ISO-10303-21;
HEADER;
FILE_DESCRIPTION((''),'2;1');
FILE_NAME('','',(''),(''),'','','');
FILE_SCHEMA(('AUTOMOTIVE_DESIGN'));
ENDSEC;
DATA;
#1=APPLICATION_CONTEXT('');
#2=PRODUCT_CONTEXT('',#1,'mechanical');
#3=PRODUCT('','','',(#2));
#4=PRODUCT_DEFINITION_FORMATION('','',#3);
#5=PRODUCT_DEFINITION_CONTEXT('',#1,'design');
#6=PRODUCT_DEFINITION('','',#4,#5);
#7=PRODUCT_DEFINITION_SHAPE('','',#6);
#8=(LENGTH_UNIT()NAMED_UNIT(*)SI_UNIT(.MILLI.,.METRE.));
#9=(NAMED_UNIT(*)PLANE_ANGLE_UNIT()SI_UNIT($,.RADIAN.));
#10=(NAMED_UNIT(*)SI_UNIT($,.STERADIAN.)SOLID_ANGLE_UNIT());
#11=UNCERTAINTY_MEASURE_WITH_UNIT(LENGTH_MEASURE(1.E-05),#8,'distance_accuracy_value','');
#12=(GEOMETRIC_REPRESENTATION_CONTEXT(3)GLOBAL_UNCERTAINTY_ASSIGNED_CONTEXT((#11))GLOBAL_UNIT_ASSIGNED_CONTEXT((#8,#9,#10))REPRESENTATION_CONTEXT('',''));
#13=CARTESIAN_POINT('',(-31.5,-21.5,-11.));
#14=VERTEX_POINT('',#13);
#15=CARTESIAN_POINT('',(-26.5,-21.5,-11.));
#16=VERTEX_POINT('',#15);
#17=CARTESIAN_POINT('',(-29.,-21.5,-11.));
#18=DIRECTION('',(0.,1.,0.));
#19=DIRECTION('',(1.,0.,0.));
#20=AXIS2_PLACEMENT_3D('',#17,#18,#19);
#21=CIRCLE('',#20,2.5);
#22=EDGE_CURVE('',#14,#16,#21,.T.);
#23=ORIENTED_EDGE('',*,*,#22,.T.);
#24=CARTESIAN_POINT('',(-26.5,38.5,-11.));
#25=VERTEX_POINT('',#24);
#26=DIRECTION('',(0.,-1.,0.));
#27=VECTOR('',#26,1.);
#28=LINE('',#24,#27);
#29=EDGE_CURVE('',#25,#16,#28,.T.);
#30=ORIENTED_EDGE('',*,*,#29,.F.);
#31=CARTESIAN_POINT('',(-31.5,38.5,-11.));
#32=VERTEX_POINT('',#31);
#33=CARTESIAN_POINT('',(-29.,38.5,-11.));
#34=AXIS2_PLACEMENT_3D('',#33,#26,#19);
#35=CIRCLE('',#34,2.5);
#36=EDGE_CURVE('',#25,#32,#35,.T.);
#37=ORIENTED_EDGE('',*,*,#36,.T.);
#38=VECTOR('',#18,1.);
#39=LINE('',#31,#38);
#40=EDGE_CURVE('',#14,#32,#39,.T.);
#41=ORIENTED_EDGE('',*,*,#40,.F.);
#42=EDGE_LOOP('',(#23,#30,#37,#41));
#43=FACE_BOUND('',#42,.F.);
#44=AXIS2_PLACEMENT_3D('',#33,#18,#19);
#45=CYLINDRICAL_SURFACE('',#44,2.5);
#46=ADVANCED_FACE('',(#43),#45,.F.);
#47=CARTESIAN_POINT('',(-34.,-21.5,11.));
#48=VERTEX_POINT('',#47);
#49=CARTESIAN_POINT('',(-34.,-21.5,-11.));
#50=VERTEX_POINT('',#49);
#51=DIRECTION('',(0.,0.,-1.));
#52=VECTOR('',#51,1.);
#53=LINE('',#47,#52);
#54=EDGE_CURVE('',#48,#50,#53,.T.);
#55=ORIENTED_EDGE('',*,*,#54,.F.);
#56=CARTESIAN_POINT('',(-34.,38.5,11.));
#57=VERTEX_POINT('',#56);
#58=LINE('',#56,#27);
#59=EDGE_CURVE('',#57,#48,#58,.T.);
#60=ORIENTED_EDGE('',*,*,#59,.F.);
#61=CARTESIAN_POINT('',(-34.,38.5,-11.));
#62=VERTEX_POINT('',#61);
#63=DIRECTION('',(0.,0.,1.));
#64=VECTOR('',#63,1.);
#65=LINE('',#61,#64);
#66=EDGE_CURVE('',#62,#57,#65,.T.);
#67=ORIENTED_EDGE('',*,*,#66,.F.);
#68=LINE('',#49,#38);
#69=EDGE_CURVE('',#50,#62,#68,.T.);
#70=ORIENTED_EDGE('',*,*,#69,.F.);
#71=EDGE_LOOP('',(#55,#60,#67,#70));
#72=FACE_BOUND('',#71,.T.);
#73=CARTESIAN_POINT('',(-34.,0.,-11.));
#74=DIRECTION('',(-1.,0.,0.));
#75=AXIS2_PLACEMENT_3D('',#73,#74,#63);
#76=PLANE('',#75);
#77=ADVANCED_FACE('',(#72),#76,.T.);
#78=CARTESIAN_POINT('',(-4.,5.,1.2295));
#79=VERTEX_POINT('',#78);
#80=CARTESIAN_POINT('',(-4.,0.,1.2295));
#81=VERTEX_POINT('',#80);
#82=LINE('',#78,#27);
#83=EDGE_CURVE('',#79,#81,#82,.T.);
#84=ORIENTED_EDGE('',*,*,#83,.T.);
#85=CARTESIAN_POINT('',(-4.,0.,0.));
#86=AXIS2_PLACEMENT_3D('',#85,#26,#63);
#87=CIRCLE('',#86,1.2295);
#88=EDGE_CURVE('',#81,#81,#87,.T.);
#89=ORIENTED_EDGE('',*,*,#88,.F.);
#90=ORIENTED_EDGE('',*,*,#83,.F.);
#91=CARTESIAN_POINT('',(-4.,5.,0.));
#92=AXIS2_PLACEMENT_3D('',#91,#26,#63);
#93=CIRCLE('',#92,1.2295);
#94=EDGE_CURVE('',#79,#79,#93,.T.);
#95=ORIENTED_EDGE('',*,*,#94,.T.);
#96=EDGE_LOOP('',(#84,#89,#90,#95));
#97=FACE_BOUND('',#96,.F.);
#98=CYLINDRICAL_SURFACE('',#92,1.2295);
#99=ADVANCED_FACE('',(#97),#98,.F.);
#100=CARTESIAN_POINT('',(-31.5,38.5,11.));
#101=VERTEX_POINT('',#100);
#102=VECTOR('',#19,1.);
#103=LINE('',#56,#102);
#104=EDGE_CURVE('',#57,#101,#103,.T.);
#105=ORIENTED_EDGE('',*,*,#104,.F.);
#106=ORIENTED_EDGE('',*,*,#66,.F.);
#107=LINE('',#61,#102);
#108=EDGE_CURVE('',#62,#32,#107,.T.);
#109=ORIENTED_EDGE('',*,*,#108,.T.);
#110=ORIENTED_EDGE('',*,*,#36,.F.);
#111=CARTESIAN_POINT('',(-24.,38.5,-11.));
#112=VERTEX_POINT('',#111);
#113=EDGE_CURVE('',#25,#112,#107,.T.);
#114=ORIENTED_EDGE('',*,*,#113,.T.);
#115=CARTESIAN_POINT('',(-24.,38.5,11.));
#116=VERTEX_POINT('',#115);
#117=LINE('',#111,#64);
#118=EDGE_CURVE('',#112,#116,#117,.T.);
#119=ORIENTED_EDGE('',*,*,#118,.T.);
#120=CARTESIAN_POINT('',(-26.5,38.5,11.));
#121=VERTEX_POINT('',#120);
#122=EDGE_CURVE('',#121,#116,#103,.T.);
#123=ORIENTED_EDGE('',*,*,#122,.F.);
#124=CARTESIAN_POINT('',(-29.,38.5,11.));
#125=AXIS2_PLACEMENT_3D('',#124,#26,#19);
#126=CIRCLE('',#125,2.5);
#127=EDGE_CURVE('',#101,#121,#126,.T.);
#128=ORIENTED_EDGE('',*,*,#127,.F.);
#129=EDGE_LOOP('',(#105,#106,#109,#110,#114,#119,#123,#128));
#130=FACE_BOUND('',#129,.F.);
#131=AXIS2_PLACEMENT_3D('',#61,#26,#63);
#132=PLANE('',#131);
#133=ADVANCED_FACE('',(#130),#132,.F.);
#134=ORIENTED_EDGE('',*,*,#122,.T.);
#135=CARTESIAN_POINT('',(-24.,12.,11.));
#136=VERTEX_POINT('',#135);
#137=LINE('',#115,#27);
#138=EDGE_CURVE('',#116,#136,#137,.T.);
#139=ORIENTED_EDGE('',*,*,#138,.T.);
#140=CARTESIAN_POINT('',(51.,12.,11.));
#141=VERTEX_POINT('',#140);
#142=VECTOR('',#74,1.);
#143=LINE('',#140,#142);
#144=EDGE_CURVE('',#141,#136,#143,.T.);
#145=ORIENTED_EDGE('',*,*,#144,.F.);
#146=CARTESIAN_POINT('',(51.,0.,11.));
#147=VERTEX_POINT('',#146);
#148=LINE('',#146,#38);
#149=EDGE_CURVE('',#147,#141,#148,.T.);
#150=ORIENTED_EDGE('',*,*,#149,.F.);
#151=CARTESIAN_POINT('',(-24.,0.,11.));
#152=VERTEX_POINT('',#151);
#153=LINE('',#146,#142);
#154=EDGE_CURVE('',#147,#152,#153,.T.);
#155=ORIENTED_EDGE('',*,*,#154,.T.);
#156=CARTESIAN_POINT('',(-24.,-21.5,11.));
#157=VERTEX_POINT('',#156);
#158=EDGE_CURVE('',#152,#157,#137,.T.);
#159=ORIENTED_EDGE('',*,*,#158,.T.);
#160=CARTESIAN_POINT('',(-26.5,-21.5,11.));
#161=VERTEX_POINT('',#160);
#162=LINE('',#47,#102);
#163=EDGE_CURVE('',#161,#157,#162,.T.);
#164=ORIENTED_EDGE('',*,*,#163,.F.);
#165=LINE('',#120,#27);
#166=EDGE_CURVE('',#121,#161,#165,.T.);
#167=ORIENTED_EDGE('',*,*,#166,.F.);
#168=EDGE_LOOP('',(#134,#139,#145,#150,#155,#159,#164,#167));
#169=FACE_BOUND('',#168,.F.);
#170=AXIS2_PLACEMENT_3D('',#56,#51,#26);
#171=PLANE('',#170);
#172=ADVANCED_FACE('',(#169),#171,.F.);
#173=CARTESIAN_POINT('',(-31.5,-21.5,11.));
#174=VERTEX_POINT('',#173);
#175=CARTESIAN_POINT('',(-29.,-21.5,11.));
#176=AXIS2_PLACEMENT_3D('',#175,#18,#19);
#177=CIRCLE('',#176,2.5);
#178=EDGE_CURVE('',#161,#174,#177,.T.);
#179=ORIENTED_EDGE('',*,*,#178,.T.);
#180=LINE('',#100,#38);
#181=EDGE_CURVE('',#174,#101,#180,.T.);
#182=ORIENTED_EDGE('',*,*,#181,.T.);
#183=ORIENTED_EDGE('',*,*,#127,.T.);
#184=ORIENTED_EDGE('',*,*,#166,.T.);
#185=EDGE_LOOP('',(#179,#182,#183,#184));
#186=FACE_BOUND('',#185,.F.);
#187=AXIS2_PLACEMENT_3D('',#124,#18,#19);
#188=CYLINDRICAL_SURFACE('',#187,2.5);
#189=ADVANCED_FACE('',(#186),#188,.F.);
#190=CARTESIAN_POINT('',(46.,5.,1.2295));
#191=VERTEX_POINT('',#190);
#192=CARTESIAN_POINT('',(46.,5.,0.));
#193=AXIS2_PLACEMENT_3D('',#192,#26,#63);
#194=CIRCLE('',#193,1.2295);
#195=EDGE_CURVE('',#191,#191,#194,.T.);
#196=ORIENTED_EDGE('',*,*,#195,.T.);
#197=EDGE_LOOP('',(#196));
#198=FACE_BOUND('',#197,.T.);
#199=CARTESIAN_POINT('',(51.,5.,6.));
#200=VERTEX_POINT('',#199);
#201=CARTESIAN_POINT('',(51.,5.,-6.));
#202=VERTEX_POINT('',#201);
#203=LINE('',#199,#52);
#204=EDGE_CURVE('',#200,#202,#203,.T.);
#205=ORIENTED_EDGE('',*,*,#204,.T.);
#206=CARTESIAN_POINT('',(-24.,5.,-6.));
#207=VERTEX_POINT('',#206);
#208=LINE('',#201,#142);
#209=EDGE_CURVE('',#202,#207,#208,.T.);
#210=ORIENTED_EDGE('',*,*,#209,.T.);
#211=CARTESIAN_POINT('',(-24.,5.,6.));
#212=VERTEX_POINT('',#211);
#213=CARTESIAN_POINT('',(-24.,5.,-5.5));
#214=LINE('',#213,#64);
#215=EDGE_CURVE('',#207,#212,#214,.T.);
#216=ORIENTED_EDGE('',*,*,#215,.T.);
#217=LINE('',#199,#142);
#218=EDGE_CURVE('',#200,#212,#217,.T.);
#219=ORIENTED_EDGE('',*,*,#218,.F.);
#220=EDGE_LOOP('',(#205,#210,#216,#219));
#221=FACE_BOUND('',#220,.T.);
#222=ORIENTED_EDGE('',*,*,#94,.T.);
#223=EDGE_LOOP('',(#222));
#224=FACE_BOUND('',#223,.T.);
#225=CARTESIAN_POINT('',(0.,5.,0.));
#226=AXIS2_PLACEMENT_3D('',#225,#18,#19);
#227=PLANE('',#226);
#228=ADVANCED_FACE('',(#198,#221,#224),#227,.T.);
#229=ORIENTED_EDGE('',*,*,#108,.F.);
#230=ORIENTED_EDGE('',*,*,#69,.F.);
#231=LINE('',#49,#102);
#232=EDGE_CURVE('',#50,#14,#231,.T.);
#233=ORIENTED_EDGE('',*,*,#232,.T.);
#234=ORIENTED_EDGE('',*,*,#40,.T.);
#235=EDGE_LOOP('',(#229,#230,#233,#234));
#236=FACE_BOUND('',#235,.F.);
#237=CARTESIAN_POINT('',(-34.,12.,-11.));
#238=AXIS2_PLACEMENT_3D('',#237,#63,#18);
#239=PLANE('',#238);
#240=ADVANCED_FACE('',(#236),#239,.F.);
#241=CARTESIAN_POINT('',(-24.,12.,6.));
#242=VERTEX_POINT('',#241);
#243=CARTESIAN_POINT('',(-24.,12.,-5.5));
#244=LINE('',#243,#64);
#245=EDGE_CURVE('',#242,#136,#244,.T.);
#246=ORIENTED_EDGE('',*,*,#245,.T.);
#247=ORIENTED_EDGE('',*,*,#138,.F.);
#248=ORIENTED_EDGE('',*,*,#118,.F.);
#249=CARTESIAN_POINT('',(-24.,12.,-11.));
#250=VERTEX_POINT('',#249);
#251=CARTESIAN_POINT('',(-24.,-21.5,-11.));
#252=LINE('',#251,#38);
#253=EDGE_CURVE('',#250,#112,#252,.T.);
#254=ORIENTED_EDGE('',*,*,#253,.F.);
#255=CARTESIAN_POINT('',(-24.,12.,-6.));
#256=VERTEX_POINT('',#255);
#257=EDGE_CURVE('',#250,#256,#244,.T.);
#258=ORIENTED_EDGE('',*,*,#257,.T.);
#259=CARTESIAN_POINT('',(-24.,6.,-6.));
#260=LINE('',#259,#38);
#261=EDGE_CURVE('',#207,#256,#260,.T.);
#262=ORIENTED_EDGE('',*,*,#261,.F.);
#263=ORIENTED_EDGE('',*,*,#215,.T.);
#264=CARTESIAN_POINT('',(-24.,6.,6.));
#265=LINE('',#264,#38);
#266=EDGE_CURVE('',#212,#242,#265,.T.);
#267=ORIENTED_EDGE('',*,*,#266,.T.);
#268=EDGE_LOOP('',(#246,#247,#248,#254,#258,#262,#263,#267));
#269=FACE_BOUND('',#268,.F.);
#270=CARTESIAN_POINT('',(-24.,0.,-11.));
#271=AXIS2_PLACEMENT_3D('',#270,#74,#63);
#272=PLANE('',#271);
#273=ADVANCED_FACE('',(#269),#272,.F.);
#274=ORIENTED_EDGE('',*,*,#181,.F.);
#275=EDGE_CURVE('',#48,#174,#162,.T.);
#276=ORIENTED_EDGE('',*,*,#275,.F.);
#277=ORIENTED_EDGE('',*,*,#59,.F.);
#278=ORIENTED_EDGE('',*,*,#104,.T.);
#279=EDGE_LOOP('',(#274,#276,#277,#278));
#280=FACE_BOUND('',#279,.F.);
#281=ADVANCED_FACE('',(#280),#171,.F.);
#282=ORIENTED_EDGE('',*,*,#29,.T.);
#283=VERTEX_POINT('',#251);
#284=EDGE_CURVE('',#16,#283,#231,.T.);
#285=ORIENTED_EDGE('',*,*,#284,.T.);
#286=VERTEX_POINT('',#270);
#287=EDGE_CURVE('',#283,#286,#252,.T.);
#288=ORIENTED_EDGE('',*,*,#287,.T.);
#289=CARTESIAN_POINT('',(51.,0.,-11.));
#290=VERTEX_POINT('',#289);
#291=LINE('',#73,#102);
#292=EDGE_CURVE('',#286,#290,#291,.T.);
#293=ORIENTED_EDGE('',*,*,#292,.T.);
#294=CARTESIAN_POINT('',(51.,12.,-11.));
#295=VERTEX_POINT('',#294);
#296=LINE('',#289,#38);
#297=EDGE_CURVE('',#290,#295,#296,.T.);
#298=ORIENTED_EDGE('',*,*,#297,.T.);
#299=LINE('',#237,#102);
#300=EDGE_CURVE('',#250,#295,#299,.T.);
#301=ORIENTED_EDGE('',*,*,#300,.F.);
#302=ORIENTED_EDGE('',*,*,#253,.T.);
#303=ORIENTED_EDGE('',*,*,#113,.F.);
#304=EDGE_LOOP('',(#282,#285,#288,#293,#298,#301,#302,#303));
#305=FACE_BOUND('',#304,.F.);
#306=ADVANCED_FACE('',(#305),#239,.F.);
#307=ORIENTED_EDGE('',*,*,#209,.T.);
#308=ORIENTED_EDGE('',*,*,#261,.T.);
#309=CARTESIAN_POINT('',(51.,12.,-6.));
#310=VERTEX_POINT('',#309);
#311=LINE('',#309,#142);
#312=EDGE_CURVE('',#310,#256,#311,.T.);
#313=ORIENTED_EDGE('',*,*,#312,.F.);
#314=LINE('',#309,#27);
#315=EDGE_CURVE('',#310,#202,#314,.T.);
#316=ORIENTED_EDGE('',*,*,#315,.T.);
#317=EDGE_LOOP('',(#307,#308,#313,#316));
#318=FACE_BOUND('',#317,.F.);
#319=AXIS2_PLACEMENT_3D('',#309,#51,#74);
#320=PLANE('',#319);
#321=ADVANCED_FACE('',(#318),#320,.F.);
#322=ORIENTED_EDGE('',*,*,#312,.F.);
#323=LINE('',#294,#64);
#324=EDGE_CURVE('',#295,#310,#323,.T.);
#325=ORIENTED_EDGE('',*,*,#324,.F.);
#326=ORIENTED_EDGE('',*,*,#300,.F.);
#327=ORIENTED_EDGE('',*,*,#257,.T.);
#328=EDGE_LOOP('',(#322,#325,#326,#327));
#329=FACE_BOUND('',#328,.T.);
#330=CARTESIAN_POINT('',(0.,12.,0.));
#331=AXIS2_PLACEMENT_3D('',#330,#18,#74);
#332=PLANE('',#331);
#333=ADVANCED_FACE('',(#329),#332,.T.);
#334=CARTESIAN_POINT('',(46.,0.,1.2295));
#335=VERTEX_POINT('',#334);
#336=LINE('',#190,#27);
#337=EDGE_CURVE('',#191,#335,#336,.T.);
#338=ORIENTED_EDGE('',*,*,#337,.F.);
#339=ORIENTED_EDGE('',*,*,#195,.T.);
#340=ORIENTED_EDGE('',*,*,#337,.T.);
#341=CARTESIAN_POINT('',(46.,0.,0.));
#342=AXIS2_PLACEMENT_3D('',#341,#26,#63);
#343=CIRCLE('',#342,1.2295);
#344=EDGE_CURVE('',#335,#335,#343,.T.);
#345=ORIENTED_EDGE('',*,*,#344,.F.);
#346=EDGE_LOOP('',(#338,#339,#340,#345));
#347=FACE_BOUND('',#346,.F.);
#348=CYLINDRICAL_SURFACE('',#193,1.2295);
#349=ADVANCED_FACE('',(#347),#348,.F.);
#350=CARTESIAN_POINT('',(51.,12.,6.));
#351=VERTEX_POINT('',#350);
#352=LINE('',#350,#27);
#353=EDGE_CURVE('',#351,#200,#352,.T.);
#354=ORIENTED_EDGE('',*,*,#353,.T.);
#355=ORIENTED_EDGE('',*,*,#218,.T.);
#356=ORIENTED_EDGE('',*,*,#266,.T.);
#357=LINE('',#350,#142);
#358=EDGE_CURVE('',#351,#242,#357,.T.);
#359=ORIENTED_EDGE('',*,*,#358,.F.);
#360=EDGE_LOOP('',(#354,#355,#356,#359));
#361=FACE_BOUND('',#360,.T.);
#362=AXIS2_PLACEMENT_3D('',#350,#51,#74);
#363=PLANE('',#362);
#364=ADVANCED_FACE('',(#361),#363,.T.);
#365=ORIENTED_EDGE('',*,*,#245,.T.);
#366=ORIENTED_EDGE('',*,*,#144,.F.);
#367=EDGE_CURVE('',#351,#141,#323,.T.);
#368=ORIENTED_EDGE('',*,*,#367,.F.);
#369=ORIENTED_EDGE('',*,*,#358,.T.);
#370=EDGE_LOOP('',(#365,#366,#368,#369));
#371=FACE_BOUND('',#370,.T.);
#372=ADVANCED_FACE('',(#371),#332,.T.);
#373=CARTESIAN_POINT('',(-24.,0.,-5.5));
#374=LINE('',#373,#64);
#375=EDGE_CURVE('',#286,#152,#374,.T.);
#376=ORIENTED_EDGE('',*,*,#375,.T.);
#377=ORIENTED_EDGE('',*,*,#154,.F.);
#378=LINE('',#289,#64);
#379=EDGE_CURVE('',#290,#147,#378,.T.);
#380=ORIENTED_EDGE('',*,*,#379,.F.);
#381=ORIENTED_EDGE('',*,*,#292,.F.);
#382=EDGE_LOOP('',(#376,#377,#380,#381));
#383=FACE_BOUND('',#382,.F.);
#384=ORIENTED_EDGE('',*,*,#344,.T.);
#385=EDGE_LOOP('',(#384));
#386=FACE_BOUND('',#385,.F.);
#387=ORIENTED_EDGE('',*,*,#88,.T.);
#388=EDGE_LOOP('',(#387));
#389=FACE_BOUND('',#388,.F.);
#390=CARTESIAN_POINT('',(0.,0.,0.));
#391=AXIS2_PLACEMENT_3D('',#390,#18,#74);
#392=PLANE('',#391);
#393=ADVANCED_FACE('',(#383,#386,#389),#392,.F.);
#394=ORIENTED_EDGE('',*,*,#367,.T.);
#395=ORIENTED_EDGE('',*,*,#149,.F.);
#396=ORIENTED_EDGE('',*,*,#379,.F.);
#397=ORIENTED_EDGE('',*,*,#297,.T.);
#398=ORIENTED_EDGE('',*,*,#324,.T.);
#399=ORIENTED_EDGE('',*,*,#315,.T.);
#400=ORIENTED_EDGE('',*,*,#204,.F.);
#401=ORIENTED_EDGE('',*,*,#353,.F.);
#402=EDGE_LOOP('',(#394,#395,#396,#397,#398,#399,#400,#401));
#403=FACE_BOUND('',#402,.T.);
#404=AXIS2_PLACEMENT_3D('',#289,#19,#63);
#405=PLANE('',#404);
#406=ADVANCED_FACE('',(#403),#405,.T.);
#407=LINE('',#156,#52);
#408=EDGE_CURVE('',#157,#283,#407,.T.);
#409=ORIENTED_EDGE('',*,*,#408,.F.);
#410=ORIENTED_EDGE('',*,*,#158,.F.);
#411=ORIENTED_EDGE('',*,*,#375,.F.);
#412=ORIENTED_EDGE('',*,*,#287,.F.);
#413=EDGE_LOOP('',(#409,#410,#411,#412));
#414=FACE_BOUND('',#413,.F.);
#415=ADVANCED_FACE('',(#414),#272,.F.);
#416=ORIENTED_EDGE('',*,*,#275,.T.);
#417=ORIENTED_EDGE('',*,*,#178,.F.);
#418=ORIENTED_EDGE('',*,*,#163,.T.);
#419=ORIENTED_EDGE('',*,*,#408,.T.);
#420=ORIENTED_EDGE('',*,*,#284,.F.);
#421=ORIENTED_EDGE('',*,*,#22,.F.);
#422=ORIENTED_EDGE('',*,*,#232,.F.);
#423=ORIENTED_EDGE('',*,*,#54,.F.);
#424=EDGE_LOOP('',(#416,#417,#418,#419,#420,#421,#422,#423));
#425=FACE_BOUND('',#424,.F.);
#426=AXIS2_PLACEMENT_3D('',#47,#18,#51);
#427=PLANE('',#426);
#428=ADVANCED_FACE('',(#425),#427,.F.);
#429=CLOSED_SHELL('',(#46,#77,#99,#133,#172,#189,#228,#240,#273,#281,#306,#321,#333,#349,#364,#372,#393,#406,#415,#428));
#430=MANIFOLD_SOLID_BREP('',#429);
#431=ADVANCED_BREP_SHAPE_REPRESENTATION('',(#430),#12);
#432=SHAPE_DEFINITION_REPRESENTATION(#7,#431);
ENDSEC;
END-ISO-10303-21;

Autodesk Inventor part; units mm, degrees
ref_plane "YZ Plane" through (0, 0, 0) normal (1, 0, 0) x (0, 1, 0)
ref_plane "XZ Plane" through (0, 0, 0) normal (0, 1, 0) x (-1, 0, 0)
ref_plane "XY Plane" through (0, 0, 0) normal (0, 0, 1) x (1, 0, 0)
sketch "スケッチ1" plane through (0, 0, 0) normal (0, 1, 0) x (-1, 0, 0)
  line L0 (34, -11) -> (-51, -11)
  line L1 (-51, -11) -> (-51, 11)
  line L2 (-51, 11) -> (34, 11)
  line L3 (34, 11) -> (34, -11)
  line L4 (34, 0) -> (-51, 0) construction
  point P0 (0, 0)
  point P1 (0, 0)
  point P2 (-46, 0)
  dimension "d0" = 22
  dimension "d1" = 85
  dimension "d2" = 5
  dimension "d3" = 46
extrude "押し出し1" add sketch "スケッチ1" along normal blind 12
sketch "スケッチ2" plane through (0, 12, 0) normal (0, 1, 0) x (1, 0, 0)
  line L0 (-34, 11) -> (-34, -11) projected
  line L1 (51, -11) -> (51, 11) projected
  line L2 (-34, 0) -> (51, 0)
  line L3 (51, 0) -> (51, 6)
  line L4 (51, 6) -> (-34, 6)
  line L5 (-34, 6) -> (-34, 0)
  line L6 (51, 0) -> (51, -6)
  line L7 (51, -6) -> (-34, -6)
  line L8 (-34, -6) -> (-34, 0)
  point P0 (0, 0)
  point P1 (-34, -6)
  point P2 (-34, 6)
  dimension "d6" = 12
extrude "押し出し2" cut sketch "スケッチ2" against normal blind 7
sketch "スケッチ3" plane through (0, 5, 0) normal (0, 1, 0) x (1, 0, 0)
  point P0 (0, 0)
  point P1 (-4, 0)
  point P2 (46, 0)
  dimension "d9" = 4
  dimension "d10" = 50
hole "穴1" at (-4, 5, 0) at (46, 5, 0) direction (0, -1, 0) diameter 2.459 end through all thread size "M3x0.5" class "6H" standard "ISO Metric profile"
sketch "スケッチ4" plane through (-34, 0, -11) normal (-1, 0, 0) x (0, 0, 1)
  line L0 (0, 38.5) -> (22, 38.5)
  line L1 (22, 38.5) -> (22, -21.5)
  line L2 (22, -21.5) -> (0, -21.5)
  line L3 (0, -21.5) -> (0, 38.5)
  line L4 (0, 0) -> (0, 12) projected
  line L5 (22, 0) -> (22, 12) projected
  line L6 (0, 12) -> (5, 12) construction
  line L7 (5, 12) -> (17, 5) construction
  line L8 (22, 38.5) -> (0, -21.5) construction
  point P0 (11, 0)
  point P1 (11, 8.5)
  dimension "d18" = 60
extrude "押し出し3" add sketch "スケッチ4" against normal blind 10
sketch "スケッチ5" plane through (-34, 38.5, 11) normal (0, 1, 0) x (1, 0, 0)
  line L0 (0, 22) -> (10, 22) projected
  line L1 (0, 0) -> (10, 0) projected
  circle A0 centre (5, 0) radius 2.5
  circle A1 centre (5, 22) radius 2.5
  point P0 (34, 11)
  dimension "d21" = 5
  dimension "d22" = 5
extrude "押し出し4" cut sketch "スケッチ5" against normal through all
properties part number "forkmount" material "ABS プラスチック"
